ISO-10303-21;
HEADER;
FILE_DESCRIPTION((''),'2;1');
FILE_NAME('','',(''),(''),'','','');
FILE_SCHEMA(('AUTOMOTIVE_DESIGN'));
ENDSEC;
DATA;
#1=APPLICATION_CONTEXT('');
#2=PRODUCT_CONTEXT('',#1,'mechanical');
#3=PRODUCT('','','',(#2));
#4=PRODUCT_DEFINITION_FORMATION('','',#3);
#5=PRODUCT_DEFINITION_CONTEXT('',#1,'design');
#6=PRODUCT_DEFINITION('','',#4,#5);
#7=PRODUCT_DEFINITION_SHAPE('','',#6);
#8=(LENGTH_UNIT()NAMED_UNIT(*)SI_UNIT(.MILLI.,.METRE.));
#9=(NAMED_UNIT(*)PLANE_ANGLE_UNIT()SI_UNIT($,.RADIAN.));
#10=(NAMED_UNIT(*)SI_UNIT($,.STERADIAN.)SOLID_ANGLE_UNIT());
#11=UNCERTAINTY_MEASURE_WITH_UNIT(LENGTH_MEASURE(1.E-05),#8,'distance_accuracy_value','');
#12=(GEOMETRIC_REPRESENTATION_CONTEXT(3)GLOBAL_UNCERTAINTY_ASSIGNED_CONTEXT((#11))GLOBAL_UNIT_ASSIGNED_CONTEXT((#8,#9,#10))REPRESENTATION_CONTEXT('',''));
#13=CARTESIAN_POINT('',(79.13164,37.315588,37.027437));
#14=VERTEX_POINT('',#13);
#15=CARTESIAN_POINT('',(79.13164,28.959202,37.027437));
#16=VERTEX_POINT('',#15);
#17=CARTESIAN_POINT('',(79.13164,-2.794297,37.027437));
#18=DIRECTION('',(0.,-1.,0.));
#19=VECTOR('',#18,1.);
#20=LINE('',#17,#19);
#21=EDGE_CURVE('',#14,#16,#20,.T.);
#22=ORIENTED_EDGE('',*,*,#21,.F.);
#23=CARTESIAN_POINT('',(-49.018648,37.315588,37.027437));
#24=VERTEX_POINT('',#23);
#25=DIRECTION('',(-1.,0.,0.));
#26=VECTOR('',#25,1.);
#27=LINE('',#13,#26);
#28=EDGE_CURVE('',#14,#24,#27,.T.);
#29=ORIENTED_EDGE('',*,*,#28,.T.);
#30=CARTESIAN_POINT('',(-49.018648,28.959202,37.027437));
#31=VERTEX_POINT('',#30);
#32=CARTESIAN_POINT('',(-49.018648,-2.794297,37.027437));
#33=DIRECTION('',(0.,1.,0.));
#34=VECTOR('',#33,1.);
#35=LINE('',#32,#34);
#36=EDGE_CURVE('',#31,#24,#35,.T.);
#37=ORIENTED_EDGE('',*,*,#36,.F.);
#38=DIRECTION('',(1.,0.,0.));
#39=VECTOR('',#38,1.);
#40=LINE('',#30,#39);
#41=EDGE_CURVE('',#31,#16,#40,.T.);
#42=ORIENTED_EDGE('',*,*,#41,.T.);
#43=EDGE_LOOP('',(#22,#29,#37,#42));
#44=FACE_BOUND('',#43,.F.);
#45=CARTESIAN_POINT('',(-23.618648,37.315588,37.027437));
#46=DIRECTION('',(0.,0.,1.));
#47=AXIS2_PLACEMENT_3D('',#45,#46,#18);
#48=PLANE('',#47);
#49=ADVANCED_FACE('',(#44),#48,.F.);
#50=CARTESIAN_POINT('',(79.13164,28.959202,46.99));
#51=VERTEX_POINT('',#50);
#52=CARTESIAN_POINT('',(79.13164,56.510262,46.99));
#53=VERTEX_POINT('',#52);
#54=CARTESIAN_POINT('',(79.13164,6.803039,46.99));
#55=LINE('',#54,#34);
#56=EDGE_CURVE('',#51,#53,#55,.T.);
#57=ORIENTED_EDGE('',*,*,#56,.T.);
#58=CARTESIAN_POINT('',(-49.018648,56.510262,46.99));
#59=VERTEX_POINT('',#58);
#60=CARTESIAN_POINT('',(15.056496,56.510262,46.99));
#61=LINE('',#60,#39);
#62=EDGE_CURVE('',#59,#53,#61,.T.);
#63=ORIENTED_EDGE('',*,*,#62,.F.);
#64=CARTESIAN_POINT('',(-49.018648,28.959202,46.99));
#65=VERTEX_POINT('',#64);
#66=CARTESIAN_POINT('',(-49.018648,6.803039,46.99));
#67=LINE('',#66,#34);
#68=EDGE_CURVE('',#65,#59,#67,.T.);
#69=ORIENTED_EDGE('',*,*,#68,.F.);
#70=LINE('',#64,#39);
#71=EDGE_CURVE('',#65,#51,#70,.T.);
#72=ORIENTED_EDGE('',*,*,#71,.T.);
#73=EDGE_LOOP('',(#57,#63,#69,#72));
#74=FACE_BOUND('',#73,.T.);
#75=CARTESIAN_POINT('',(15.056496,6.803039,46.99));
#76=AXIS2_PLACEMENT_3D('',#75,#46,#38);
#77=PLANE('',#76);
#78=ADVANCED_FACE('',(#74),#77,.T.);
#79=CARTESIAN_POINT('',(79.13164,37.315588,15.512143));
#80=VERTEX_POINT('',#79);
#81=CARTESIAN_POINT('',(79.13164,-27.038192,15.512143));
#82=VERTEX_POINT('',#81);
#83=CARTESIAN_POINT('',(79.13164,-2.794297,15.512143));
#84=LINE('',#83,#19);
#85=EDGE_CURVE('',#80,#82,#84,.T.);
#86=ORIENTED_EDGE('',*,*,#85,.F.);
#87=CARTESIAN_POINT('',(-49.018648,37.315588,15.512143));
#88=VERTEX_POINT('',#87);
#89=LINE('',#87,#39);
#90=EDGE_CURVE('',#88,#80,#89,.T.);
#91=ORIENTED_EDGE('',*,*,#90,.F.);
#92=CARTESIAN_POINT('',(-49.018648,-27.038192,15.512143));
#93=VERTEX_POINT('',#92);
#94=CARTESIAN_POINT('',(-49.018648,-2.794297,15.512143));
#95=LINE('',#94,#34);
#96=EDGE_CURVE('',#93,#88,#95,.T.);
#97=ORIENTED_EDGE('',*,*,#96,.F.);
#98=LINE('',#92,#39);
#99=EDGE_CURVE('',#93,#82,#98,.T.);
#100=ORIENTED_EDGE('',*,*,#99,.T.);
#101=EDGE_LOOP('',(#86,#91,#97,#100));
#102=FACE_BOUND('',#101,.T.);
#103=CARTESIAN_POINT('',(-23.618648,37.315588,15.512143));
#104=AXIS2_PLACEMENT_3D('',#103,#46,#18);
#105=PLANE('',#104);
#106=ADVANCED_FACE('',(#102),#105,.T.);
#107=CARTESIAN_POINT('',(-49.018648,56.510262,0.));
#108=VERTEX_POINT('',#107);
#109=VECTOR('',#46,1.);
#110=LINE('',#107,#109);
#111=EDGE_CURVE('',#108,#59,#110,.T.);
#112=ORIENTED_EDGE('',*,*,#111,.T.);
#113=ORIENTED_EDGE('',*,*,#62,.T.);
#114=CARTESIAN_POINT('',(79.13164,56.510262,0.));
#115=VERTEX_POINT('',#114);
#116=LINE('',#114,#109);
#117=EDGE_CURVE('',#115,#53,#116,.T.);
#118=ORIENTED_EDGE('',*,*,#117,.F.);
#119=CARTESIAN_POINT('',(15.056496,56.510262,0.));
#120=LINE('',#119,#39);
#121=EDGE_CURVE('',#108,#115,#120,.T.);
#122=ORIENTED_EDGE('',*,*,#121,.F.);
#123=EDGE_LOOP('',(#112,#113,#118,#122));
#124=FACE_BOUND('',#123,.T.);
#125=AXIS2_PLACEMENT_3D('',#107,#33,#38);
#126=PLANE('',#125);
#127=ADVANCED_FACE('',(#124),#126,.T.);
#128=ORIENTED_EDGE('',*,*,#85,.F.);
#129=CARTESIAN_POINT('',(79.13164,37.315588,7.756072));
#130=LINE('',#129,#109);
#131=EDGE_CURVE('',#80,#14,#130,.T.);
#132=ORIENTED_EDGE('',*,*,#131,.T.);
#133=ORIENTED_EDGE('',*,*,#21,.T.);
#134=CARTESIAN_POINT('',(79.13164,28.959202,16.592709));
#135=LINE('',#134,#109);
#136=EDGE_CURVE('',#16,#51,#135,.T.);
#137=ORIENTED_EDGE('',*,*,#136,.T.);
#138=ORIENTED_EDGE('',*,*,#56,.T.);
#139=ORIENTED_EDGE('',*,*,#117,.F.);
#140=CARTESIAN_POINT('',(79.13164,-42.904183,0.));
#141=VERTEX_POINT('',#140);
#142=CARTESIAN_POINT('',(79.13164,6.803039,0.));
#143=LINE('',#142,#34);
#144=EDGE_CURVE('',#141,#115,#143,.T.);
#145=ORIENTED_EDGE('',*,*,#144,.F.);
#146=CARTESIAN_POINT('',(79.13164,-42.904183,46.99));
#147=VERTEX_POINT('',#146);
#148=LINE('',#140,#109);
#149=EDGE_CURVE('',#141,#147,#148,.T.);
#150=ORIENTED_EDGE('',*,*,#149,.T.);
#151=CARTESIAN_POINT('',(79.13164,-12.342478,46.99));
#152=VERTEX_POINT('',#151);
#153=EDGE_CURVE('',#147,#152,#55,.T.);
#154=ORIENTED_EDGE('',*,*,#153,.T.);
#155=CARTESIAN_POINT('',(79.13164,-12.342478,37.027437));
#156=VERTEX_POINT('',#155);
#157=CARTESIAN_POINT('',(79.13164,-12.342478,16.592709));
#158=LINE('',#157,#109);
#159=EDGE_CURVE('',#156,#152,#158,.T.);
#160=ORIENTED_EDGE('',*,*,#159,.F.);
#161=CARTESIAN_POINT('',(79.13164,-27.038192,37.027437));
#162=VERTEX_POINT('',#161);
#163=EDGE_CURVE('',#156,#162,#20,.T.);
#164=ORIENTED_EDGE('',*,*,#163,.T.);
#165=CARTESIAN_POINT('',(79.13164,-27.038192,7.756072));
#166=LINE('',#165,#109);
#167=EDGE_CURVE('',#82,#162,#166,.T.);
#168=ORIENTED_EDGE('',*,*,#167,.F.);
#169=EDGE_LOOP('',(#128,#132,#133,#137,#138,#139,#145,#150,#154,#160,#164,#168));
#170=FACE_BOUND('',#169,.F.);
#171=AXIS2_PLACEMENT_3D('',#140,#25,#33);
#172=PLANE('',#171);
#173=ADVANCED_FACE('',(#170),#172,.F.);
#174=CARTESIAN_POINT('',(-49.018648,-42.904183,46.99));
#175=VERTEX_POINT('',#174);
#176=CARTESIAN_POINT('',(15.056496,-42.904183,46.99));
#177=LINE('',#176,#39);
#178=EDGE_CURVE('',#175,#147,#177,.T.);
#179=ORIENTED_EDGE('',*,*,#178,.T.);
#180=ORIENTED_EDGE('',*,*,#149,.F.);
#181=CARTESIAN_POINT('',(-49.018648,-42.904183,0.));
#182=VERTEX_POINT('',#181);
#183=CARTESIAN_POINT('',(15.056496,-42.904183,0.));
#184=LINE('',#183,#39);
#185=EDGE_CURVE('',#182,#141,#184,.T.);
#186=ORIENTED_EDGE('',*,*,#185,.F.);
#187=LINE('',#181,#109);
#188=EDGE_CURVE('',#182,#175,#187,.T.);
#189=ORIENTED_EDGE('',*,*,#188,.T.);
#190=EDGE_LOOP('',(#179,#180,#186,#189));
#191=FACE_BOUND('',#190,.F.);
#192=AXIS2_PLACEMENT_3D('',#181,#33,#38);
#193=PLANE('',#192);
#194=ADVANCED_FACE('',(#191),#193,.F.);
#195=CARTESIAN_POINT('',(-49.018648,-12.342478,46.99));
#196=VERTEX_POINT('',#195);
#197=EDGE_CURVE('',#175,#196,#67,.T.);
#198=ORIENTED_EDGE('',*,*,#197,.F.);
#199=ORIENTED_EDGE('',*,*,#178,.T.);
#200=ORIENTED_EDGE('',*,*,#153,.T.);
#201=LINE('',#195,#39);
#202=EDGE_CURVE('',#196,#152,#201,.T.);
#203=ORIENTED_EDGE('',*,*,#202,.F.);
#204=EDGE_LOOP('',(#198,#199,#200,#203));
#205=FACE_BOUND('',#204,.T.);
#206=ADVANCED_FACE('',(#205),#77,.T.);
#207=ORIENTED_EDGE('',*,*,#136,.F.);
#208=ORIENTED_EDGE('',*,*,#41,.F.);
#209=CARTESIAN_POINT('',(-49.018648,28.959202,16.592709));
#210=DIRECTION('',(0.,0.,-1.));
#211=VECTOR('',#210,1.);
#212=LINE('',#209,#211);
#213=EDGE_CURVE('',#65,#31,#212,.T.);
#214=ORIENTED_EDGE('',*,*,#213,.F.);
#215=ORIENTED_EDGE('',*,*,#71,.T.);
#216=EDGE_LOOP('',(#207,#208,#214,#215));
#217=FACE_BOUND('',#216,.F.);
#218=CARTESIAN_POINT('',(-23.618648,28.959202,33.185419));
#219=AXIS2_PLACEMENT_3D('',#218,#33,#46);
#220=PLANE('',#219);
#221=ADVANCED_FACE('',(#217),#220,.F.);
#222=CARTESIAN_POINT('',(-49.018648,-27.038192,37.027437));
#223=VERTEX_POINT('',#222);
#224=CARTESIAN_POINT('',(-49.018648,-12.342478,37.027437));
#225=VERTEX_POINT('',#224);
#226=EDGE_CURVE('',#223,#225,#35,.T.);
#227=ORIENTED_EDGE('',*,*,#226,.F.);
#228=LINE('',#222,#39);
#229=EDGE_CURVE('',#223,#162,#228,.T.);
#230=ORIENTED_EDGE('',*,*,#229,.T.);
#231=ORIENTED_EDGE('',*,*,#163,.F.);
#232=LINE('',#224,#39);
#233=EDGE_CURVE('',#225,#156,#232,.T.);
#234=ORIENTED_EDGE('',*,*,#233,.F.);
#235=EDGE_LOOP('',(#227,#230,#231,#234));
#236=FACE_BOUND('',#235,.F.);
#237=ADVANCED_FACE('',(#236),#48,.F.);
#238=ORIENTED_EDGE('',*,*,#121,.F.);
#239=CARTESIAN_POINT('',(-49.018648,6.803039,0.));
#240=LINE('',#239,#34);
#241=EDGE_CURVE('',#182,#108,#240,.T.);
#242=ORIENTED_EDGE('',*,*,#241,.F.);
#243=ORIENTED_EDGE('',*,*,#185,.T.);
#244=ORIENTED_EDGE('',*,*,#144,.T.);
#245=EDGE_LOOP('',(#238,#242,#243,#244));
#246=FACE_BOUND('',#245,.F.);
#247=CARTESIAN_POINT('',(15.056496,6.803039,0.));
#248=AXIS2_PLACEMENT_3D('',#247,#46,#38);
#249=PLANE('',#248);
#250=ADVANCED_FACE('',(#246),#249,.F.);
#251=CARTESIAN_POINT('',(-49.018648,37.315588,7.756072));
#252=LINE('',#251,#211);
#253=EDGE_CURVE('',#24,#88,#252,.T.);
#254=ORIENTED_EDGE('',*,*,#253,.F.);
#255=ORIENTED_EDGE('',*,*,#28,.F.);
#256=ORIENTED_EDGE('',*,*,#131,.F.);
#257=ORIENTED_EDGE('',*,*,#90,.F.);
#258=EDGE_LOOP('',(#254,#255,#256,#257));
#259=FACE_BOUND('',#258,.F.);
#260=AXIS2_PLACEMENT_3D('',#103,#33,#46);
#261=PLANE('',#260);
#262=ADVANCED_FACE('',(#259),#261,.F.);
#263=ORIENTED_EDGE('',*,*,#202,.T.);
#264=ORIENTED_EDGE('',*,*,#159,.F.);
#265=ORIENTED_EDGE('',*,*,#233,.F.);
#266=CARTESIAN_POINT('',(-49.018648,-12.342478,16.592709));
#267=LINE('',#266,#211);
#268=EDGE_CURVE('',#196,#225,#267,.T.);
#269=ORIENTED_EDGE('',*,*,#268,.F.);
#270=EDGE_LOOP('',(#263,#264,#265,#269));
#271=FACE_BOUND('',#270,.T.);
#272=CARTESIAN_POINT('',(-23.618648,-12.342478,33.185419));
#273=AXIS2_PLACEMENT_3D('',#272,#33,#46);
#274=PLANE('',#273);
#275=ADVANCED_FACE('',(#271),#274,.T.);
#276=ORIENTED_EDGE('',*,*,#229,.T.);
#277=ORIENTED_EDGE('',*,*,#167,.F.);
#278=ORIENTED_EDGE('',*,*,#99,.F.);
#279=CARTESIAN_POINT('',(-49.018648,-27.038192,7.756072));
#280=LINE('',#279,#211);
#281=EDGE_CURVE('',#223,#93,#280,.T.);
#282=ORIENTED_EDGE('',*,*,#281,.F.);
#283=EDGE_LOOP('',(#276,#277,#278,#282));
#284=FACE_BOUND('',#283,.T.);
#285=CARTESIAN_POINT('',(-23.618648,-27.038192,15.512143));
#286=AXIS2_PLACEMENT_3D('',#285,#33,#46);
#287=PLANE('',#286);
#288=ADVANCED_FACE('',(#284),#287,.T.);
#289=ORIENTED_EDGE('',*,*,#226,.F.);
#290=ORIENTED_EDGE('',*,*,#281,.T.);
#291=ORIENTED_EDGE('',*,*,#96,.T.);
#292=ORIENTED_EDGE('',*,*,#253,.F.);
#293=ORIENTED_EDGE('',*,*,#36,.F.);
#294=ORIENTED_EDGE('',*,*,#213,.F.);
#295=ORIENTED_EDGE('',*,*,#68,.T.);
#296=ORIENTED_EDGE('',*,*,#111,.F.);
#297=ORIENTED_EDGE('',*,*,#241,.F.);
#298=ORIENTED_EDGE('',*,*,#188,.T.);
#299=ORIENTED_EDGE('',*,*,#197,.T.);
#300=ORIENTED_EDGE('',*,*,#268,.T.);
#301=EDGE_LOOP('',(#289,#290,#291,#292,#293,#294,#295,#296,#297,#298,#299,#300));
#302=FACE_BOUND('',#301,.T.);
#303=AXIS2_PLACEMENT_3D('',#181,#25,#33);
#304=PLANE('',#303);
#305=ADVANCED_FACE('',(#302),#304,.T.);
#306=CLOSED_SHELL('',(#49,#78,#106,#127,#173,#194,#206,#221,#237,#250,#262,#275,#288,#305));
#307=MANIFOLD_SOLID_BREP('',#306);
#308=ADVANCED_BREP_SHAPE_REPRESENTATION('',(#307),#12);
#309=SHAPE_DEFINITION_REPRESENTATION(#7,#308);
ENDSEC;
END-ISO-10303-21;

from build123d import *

# Parameters (mm, degrees)
F0_W     = 128.1502880156
F0_H     = 99.4144454598
F1_DEPTH = 46.99
F3_W     = 64.353780821
F3_H     = 21.5152939782
F4_DEPTH = 102.7512880156
F5_W     = 41.3016797975
F5_H     = 23.244202137
F6_DEPTH = 167.894
F7_DEPTH = 64.008
F8_DEPTH = 88.138


with BuildPart() as f1:
    # F0 (on Top) → F1 (new body)
    with BuildSketch(Plane.XY):
        with Locations((15.0564964861, 6.8030394614)):
            Rectangle(F0_W, F0_H)
    extrude(amount=F1_DEPTH)

    # F3 (on offset) → F4 (cut, through all)
    with BuildSketch(Plane(origin=(-23.6186475217, 0, 0), x_dir=(0, -1, 0), z_dir=(-1, 0, 0))):
        with Locations((-5.138698034, 26.2697902508)):
            Rectangle(F3_W, F3_H)
    extrude(amount=-F4_DEPTH, mode=Mode.SUBTRACT)

    # F5 (on offset) → F6 (cut)
    with BuildSketch(Plane(origin=(-23.6186475217, 0, 0), x_dir=(0, -1, 0), z_dir=(-1, 0, 0))):
        with Locations((-8.3083617501, 44.8075197637)):
            Rectangle(F5_W, F5_H)
    extrude(amount=-F6_DEPTH, mode=Mode.SUBTRACT)

    # F3 (on offset) → F7 (cut)
    with BuildSketch(Plane(origin=(-23.6186475217, 0, 0), x_dir=(0, -1, 0), z_dir=(-1, 0, 0))):
        with Locations((-5.138698034, 26.2697902508)):
            Rectangle(F3_W, F3_H)
    extrude(amount=F7_DEPTH, mode=Mode.SUBTRACT)

    # F5 (on offset) → F8 (cut)
    with BuildSketch(Plane(origin=(-23.6186475217, 0, 0), x_dir=(0, -1, 0), z_dir=(-1, 0, 0))):
        with Locations((-8.3083617501, 44.8075197637)):
            Rectangle(F5_W, F5_H)
    extrude(amount=F8_DEPTH, mode=Mode.SUBTRACT)


solid = f1.part
